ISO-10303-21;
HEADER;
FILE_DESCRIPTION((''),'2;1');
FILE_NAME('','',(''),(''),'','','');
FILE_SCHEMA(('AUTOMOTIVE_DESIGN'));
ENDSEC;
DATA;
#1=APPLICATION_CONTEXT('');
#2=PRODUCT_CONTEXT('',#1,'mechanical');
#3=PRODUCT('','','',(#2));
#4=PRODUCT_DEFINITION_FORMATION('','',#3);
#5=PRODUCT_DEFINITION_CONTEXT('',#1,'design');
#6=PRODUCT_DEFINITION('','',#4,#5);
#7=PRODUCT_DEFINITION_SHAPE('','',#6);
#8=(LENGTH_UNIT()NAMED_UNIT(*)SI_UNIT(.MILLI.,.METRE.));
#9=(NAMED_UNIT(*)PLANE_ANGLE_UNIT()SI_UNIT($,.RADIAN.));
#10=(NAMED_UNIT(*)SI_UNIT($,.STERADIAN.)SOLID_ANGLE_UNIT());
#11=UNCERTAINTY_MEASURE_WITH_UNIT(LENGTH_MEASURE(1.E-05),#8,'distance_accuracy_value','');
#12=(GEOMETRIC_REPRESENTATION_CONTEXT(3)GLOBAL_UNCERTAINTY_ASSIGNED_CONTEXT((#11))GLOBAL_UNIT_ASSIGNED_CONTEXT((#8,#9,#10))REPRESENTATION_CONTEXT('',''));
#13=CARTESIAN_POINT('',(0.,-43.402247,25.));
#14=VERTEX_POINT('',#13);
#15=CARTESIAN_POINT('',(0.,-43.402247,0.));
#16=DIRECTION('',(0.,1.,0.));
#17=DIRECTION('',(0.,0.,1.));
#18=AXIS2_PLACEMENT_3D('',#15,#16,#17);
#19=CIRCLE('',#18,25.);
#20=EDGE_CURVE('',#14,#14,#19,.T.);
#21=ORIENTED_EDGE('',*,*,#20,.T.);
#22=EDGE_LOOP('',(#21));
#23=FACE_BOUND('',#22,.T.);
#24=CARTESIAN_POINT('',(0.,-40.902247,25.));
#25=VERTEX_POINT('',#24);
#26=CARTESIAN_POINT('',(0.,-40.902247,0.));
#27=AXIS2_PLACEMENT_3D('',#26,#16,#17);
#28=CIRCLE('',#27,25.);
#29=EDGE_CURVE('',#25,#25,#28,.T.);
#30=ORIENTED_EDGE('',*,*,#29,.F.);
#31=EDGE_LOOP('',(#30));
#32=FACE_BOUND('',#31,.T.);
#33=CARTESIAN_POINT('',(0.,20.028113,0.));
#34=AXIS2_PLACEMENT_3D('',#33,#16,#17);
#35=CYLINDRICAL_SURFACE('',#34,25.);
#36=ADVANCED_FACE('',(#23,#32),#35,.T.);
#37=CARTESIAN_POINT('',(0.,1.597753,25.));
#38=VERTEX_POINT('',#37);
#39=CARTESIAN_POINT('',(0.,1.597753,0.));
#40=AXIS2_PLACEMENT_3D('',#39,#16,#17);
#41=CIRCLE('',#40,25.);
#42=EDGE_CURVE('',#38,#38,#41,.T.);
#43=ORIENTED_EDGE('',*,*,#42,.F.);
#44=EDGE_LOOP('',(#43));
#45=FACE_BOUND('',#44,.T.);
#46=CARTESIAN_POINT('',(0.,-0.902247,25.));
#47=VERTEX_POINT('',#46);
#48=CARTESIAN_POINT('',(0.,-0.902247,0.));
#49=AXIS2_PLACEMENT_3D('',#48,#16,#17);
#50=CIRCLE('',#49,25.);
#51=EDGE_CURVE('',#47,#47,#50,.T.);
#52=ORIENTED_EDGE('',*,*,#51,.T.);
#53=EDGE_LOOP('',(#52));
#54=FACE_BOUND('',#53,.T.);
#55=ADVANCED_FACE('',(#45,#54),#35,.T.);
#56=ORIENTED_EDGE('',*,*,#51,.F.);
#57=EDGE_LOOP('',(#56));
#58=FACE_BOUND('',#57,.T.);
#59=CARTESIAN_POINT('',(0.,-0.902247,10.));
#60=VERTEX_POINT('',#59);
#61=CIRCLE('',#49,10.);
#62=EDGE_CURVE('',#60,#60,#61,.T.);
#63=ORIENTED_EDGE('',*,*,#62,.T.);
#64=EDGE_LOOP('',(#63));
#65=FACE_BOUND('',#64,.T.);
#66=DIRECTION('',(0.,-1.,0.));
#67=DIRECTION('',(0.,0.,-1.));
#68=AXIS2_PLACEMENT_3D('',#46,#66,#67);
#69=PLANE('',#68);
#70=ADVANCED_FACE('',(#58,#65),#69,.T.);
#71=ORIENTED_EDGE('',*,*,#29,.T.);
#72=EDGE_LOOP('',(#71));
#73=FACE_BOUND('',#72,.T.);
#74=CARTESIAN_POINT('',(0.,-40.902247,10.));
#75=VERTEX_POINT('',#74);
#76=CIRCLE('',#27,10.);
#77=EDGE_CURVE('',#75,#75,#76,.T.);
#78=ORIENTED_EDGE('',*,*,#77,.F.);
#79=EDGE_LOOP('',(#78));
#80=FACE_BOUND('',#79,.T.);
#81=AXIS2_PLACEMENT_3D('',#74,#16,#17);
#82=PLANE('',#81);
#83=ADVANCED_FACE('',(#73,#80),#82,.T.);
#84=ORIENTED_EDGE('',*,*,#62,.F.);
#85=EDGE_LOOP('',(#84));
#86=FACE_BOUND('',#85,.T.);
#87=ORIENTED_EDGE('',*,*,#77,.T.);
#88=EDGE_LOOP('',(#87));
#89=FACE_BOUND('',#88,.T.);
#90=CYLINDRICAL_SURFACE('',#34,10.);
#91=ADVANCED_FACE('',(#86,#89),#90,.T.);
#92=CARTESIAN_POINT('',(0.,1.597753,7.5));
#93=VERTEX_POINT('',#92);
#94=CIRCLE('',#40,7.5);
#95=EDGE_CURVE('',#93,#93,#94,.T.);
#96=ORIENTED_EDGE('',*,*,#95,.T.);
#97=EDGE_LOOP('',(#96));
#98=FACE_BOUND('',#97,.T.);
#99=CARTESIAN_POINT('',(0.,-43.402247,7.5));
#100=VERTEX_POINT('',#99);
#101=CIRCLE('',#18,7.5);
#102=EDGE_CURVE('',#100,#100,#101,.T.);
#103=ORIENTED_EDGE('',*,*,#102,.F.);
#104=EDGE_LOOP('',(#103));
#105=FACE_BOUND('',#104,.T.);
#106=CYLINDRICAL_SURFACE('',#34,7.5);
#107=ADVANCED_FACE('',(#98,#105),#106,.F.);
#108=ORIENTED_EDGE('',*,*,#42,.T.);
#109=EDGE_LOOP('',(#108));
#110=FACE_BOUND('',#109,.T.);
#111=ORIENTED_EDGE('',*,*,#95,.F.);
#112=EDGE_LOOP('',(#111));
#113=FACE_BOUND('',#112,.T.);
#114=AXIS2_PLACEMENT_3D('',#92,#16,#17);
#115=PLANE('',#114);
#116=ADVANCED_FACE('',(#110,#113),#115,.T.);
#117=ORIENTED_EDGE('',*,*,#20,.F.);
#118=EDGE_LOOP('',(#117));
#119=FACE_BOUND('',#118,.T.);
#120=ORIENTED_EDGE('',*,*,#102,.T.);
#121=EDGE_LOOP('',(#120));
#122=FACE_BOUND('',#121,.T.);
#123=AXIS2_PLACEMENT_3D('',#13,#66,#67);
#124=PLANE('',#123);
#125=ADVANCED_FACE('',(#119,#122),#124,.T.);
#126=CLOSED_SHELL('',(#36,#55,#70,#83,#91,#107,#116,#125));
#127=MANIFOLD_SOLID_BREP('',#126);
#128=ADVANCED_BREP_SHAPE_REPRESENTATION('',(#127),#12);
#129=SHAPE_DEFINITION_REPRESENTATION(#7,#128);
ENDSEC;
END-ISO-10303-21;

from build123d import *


with BuildPart() as part:
    # Sketch1 → Revolve1 (revolve)
    with BuildSketch(Plane(origin=(0, 0, 0), x_dir=(0, 0, -1), z_dir=(1, 0, 0))):
        Polygon((-7.5, 1.597752968), (-25, 1.597752968), (-25, -0.902247032), (-10, -0.902247032), (-10, -40.902247032), (-25, -40.902247032), (-25, -43.402247032), (-7.5, -43.402247032), align=None)
    revolve(axis=Axis((0, 20.028113297, 0), (0, -1, 0)))


solid = part.part
